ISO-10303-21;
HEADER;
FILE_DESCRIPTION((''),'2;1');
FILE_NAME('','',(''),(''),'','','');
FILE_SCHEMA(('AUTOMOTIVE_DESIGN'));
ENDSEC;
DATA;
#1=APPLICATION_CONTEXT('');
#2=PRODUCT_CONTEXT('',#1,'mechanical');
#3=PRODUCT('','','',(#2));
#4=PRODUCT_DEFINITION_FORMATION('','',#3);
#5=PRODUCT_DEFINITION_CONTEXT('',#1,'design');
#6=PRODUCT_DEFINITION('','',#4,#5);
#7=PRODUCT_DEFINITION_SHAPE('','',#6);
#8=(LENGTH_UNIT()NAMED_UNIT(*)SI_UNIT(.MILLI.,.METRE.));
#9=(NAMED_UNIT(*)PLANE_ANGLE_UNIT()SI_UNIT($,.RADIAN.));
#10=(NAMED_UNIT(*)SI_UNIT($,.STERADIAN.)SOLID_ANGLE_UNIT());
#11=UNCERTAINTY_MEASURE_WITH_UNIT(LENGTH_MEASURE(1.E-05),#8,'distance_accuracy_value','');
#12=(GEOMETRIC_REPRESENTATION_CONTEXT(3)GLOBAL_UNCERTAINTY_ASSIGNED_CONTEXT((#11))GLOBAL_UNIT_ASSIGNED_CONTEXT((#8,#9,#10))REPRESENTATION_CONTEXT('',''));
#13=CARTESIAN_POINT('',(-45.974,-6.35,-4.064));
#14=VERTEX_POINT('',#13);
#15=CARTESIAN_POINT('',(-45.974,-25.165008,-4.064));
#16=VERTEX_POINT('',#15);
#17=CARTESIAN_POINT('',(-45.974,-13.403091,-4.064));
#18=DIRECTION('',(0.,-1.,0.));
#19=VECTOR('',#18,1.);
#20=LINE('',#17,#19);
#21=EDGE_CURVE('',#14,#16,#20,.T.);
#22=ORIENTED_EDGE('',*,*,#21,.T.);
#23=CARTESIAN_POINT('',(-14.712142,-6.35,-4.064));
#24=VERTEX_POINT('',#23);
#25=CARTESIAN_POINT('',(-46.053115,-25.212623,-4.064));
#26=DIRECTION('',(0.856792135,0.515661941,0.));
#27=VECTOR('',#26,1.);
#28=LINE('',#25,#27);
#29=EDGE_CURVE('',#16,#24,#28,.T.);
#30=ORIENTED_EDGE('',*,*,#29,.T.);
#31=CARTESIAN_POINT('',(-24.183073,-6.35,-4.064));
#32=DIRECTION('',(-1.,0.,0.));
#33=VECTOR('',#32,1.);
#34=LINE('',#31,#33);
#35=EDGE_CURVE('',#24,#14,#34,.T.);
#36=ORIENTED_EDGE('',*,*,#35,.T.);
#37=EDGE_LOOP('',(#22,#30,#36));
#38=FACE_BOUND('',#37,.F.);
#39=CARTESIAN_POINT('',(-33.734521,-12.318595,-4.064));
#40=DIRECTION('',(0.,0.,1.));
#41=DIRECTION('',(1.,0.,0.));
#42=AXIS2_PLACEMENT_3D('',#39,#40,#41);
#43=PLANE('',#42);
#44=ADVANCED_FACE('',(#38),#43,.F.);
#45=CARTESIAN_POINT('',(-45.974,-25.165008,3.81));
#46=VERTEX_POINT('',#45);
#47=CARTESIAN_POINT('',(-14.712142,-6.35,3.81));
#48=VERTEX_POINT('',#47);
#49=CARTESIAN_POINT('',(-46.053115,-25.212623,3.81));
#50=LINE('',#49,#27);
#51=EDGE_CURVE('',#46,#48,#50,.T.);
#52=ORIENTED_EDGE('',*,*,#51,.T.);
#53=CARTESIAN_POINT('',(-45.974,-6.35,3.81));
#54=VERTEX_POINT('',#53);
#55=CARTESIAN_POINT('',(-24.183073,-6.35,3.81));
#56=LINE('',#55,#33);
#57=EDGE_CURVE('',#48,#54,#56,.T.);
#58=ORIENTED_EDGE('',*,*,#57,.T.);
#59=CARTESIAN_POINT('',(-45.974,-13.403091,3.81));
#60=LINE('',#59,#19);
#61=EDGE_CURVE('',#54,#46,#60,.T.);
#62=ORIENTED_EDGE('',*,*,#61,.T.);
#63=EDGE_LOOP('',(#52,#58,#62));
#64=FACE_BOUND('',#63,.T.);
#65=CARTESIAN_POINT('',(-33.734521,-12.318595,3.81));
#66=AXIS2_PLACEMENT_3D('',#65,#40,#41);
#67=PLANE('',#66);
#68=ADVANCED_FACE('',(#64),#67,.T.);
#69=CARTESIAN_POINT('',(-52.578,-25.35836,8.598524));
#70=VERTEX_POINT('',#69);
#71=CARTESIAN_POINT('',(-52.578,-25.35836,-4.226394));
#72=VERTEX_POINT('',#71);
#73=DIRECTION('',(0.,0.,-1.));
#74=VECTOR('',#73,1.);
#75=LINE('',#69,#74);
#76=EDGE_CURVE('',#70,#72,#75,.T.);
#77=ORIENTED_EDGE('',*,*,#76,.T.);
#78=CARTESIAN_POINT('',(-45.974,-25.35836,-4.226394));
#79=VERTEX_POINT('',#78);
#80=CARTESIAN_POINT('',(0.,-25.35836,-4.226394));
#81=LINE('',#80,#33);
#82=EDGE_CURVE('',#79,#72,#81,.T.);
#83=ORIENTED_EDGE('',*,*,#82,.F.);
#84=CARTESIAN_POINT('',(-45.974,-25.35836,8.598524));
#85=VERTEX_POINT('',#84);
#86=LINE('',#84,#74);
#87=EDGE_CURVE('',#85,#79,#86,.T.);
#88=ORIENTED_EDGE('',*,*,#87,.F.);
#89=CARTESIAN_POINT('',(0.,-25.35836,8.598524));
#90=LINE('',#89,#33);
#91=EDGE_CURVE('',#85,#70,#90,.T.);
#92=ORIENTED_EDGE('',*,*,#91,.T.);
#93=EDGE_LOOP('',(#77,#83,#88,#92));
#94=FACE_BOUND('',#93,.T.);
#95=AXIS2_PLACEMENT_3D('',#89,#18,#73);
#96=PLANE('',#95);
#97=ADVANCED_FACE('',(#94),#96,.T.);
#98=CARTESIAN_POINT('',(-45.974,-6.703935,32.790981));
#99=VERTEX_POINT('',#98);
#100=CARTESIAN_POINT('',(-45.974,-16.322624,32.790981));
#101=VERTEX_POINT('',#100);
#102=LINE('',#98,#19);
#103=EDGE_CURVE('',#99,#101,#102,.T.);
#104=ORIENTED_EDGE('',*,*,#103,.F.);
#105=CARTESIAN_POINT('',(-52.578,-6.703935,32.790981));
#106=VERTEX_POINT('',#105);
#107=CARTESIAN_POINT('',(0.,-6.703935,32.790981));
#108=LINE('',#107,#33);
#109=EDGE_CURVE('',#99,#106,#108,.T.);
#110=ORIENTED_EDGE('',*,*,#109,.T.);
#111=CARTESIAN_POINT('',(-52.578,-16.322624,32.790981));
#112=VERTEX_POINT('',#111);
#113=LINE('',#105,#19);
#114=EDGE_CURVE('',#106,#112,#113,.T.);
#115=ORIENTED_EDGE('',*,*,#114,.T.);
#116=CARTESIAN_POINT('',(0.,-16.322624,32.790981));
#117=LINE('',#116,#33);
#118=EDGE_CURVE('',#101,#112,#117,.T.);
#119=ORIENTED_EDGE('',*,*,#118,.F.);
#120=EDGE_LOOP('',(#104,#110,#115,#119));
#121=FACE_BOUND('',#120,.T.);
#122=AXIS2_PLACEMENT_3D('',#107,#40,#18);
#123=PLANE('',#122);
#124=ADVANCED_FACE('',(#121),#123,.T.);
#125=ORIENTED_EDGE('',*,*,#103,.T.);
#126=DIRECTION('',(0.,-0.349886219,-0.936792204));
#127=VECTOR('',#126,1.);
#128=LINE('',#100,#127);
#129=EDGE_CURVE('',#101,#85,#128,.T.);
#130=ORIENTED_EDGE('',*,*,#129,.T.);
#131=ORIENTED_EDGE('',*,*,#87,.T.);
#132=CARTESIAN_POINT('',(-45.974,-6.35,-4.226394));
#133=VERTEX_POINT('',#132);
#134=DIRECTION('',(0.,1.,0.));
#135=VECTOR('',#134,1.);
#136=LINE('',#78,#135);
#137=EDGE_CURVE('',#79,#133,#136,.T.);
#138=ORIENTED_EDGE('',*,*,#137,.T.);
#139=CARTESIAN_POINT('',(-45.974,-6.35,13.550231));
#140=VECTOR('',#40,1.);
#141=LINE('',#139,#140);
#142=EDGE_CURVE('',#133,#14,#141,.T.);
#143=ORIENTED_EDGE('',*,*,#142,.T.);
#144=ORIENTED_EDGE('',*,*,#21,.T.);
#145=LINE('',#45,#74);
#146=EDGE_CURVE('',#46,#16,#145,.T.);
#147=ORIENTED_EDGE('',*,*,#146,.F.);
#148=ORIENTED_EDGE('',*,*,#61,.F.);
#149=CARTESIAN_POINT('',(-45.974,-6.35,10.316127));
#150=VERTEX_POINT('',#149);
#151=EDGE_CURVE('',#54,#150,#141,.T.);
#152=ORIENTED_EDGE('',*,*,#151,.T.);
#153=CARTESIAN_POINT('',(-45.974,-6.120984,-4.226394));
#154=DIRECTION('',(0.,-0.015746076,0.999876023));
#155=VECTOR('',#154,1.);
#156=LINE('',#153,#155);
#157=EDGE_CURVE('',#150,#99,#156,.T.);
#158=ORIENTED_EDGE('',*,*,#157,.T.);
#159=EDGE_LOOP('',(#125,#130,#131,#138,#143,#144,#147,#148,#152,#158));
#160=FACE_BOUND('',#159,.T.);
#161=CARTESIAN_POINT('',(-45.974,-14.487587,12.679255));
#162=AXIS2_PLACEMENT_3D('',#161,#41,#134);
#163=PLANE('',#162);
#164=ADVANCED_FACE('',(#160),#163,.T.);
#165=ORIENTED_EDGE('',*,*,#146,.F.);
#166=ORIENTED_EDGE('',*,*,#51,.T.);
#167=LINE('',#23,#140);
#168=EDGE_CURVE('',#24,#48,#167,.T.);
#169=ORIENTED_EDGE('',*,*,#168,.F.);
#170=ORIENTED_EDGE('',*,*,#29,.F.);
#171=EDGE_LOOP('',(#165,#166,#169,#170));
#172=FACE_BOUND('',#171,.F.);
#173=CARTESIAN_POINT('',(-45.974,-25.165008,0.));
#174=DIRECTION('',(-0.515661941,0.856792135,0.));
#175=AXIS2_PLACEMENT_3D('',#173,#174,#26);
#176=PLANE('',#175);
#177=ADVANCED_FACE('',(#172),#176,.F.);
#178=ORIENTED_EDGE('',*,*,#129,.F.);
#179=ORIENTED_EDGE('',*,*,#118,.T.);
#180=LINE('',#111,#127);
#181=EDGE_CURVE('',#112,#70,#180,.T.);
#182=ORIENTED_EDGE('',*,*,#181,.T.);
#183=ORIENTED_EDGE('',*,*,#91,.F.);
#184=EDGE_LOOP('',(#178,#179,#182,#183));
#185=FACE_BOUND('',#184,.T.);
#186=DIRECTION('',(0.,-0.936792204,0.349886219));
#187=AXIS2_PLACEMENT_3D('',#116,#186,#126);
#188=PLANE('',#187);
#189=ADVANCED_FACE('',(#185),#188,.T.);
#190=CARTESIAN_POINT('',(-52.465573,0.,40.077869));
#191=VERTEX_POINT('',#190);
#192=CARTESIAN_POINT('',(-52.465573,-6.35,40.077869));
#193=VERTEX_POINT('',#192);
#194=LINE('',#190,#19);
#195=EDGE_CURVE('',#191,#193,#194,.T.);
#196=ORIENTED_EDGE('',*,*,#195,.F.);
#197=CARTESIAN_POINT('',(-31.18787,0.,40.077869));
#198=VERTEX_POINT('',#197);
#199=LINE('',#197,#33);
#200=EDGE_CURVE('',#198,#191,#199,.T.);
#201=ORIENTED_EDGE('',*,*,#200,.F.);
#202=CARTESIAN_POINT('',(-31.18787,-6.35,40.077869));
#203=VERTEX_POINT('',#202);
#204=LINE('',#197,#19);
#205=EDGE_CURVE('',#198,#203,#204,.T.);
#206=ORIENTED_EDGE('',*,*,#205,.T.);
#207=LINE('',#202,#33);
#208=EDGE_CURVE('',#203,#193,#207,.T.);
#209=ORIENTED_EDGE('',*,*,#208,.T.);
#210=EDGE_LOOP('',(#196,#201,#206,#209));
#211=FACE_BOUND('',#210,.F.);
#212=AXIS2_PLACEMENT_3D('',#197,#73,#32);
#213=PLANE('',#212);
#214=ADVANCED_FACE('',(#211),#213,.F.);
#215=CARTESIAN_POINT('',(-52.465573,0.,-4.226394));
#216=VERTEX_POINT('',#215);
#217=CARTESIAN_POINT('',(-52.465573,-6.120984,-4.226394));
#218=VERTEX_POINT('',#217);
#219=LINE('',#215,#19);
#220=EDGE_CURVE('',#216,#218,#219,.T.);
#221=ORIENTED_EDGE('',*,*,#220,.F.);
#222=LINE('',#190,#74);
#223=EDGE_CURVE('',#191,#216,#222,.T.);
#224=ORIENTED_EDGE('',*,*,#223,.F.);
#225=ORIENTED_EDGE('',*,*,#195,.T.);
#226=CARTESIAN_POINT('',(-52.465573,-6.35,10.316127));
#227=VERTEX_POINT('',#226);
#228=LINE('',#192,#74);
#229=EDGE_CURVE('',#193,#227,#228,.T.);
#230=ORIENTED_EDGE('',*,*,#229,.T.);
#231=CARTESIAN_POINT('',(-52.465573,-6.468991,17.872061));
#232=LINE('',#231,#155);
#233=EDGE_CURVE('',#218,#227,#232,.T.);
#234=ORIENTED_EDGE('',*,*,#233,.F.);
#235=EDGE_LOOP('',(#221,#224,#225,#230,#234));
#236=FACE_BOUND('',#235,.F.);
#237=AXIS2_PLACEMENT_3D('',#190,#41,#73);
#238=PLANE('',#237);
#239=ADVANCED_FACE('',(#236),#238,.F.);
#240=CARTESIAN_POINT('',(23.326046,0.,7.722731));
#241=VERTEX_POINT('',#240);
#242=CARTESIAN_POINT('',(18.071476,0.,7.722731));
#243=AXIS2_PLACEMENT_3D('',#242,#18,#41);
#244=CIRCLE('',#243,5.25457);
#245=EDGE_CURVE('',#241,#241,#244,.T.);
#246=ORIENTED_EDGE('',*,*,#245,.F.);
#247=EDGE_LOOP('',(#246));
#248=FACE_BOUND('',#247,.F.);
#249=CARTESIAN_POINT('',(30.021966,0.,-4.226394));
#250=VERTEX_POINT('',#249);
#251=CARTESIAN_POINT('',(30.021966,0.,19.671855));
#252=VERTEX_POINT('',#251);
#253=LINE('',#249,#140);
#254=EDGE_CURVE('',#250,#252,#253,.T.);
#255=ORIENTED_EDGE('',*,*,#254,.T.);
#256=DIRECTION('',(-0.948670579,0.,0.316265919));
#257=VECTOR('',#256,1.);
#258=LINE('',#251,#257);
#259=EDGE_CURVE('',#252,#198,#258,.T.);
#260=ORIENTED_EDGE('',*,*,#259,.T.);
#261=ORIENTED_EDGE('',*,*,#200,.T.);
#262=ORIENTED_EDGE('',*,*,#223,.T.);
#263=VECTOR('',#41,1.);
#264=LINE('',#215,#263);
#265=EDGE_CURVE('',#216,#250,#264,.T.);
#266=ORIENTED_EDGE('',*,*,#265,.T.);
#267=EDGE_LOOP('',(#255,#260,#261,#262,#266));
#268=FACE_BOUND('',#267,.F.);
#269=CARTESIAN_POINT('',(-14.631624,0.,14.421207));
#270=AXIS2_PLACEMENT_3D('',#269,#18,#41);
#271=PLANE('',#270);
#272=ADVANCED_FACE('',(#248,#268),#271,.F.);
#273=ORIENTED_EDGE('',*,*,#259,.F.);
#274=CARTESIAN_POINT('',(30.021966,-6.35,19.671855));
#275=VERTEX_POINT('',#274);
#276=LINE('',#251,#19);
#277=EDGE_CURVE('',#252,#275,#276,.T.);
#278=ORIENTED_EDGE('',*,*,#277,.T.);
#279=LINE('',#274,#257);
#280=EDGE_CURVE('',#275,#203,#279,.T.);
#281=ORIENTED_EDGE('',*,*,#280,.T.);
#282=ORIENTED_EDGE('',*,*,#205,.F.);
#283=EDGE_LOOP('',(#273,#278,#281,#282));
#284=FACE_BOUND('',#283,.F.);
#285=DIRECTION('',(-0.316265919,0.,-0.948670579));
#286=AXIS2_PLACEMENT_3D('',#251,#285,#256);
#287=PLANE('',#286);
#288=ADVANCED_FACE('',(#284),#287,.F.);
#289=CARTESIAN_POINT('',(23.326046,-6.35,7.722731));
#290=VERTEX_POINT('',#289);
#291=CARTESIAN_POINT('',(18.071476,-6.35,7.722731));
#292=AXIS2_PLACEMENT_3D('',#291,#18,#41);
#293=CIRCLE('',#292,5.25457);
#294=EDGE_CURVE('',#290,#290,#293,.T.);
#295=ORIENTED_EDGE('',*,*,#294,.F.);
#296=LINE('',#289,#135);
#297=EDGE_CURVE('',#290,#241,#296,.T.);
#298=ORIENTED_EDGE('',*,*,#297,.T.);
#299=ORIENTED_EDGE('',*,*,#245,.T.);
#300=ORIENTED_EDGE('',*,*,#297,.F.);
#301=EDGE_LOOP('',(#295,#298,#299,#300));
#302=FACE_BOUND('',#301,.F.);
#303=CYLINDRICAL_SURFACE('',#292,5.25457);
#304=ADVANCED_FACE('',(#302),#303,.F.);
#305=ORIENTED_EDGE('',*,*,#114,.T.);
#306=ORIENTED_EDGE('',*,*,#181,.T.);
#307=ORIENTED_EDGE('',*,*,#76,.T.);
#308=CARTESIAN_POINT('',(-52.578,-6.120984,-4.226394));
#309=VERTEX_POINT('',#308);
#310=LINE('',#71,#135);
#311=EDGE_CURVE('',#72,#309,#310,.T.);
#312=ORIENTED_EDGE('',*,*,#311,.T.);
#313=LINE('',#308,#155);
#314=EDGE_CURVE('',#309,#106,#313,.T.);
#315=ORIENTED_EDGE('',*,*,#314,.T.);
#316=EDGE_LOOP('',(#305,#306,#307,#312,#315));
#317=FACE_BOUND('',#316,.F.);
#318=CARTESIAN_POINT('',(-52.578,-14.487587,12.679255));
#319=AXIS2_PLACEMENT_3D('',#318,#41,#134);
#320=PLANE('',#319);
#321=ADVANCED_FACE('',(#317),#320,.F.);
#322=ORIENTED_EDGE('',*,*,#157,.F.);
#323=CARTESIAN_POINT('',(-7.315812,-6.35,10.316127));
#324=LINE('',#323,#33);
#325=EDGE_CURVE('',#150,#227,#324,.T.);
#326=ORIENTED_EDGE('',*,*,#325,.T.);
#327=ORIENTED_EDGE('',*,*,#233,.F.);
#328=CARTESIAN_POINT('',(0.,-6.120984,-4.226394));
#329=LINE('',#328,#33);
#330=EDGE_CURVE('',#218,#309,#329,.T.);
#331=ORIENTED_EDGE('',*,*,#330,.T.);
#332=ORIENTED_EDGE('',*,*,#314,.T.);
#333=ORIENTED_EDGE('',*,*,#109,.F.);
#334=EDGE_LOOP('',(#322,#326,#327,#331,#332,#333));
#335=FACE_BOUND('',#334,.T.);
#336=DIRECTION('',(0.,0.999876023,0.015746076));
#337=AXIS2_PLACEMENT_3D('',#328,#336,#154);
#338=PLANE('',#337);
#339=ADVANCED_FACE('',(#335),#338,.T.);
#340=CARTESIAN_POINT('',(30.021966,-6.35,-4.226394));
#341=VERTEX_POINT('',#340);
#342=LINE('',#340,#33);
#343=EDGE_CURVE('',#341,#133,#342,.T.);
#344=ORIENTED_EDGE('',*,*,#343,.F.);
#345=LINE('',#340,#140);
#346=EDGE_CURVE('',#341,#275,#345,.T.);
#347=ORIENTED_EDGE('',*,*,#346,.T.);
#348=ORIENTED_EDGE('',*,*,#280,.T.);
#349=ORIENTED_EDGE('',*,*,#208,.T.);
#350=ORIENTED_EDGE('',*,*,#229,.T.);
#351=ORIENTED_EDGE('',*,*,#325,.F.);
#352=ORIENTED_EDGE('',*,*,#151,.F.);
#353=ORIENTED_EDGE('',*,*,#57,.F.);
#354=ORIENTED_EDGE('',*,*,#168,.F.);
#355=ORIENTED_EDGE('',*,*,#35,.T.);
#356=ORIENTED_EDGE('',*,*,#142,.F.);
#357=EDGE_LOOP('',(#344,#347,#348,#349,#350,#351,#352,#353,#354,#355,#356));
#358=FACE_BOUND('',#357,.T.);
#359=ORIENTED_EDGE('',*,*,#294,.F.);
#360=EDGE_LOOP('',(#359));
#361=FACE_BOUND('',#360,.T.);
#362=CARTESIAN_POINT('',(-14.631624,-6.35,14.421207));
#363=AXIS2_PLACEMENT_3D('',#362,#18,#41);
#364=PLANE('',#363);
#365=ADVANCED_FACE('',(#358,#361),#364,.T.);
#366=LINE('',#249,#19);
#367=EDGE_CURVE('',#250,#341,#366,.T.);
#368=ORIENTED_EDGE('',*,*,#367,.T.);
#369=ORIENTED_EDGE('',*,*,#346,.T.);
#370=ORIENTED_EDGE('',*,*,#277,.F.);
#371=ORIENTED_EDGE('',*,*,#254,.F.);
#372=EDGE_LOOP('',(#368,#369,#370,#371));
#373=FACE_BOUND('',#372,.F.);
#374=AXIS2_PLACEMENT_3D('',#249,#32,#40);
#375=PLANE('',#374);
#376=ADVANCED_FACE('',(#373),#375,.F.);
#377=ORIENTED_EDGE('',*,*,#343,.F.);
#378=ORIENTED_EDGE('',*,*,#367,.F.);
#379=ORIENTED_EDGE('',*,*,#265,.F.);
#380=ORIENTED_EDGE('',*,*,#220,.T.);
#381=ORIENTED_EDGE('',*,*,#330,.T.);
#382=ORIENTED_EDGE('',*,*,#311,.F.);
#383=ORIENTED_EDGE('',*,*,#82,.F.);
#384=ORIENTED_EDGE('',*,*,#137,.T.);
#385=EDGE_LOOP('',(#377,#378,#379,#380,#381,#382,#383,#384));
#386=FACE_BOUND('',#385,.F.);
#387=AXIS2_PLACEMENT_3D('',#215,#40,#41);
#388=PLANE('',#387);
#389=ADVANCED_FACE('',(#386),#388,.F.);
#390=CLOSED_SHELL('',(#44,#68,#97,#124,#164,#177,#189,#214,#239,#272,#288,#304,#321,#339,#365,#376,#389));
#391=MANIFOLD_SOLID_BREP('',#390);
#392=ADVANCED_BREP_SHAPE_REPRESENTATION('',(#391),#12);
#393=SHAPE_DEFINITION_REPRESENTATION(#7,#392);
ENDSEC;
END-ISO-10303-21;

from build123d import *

# Parameters (mm, degrees)
F1_DEPTH = 6.35
F3_DEPTH = 52.578
F4_DEPTH = 45.974
F6_DEPTH = 4.064
F7_DEPTH = 3.81
F8_R     = 5.2545700387
F9_DEPTH = 25.4


with BuildPart() as f1:
    # F0 (on Front) → F1 (new body)
    with BuildSketch(Plane.XZ):
        Polygon((-31.1878696084, 40.077868849), (-52.4655729532, 40.077868849), (-52.4655729532, -4.226393532), (30.0219655037, -4.226393532), (30.0219655037, 19.6718552087), align=None)
    extrude(amount=F1_DEPTH)

    # F2 (on Right) → F3 (join)
    with BuildSketch(Plane.YZ):
        Polygon((-6.1209839769, -4.226393532), (-6.7039346322, 32.7909812331), (-16.3226239383, 32.7909812331), (-25.3583602607, 8.5985241458), (-25.3583602607, -4.226393532), align=None)
    extrude(amount=-F3_DEPTH)

    # F4 (cut): a face of the model
    f4_faces = [f1.faces().sort_by_distance(p)[0] for p in [
        (0, -14.7154551351, 12.274399221),
    ]]
    extrude(f4_faces, amount=-F4_DEPTH, mode=Mode.SUBTRACT)

    # F5 (on Top) → F6 (join)
    with BuildSketch(Plane.XY):
        Polygon((-46.0531152785, -6.2667215243), (-46.0531152785, -25.212623179), (-14.5737715065, -6.2667215243), align=None)
    extrude(amount=-F6_DEPTH)

    # F7 (add): a face of the model
    f7_faces = [f1.faces().sort_by_distance(p)[0] for p in [
        (-35.5533806316, -12.6216691671, 0),
    ]]
    extrude(f7_faces, amount=F7_DEPTH)

    # F8 (on face) → F9 (cut)
    with BuildSketch(Plane.XZ.offset(6.35)):
        with Locations((18.0714763701, 7.7227308384)):
            Circle(F8_R)
    extrude(amount=-F9_DEPTH, mode=Mode.SUBTRACT)


solid = f1.part
